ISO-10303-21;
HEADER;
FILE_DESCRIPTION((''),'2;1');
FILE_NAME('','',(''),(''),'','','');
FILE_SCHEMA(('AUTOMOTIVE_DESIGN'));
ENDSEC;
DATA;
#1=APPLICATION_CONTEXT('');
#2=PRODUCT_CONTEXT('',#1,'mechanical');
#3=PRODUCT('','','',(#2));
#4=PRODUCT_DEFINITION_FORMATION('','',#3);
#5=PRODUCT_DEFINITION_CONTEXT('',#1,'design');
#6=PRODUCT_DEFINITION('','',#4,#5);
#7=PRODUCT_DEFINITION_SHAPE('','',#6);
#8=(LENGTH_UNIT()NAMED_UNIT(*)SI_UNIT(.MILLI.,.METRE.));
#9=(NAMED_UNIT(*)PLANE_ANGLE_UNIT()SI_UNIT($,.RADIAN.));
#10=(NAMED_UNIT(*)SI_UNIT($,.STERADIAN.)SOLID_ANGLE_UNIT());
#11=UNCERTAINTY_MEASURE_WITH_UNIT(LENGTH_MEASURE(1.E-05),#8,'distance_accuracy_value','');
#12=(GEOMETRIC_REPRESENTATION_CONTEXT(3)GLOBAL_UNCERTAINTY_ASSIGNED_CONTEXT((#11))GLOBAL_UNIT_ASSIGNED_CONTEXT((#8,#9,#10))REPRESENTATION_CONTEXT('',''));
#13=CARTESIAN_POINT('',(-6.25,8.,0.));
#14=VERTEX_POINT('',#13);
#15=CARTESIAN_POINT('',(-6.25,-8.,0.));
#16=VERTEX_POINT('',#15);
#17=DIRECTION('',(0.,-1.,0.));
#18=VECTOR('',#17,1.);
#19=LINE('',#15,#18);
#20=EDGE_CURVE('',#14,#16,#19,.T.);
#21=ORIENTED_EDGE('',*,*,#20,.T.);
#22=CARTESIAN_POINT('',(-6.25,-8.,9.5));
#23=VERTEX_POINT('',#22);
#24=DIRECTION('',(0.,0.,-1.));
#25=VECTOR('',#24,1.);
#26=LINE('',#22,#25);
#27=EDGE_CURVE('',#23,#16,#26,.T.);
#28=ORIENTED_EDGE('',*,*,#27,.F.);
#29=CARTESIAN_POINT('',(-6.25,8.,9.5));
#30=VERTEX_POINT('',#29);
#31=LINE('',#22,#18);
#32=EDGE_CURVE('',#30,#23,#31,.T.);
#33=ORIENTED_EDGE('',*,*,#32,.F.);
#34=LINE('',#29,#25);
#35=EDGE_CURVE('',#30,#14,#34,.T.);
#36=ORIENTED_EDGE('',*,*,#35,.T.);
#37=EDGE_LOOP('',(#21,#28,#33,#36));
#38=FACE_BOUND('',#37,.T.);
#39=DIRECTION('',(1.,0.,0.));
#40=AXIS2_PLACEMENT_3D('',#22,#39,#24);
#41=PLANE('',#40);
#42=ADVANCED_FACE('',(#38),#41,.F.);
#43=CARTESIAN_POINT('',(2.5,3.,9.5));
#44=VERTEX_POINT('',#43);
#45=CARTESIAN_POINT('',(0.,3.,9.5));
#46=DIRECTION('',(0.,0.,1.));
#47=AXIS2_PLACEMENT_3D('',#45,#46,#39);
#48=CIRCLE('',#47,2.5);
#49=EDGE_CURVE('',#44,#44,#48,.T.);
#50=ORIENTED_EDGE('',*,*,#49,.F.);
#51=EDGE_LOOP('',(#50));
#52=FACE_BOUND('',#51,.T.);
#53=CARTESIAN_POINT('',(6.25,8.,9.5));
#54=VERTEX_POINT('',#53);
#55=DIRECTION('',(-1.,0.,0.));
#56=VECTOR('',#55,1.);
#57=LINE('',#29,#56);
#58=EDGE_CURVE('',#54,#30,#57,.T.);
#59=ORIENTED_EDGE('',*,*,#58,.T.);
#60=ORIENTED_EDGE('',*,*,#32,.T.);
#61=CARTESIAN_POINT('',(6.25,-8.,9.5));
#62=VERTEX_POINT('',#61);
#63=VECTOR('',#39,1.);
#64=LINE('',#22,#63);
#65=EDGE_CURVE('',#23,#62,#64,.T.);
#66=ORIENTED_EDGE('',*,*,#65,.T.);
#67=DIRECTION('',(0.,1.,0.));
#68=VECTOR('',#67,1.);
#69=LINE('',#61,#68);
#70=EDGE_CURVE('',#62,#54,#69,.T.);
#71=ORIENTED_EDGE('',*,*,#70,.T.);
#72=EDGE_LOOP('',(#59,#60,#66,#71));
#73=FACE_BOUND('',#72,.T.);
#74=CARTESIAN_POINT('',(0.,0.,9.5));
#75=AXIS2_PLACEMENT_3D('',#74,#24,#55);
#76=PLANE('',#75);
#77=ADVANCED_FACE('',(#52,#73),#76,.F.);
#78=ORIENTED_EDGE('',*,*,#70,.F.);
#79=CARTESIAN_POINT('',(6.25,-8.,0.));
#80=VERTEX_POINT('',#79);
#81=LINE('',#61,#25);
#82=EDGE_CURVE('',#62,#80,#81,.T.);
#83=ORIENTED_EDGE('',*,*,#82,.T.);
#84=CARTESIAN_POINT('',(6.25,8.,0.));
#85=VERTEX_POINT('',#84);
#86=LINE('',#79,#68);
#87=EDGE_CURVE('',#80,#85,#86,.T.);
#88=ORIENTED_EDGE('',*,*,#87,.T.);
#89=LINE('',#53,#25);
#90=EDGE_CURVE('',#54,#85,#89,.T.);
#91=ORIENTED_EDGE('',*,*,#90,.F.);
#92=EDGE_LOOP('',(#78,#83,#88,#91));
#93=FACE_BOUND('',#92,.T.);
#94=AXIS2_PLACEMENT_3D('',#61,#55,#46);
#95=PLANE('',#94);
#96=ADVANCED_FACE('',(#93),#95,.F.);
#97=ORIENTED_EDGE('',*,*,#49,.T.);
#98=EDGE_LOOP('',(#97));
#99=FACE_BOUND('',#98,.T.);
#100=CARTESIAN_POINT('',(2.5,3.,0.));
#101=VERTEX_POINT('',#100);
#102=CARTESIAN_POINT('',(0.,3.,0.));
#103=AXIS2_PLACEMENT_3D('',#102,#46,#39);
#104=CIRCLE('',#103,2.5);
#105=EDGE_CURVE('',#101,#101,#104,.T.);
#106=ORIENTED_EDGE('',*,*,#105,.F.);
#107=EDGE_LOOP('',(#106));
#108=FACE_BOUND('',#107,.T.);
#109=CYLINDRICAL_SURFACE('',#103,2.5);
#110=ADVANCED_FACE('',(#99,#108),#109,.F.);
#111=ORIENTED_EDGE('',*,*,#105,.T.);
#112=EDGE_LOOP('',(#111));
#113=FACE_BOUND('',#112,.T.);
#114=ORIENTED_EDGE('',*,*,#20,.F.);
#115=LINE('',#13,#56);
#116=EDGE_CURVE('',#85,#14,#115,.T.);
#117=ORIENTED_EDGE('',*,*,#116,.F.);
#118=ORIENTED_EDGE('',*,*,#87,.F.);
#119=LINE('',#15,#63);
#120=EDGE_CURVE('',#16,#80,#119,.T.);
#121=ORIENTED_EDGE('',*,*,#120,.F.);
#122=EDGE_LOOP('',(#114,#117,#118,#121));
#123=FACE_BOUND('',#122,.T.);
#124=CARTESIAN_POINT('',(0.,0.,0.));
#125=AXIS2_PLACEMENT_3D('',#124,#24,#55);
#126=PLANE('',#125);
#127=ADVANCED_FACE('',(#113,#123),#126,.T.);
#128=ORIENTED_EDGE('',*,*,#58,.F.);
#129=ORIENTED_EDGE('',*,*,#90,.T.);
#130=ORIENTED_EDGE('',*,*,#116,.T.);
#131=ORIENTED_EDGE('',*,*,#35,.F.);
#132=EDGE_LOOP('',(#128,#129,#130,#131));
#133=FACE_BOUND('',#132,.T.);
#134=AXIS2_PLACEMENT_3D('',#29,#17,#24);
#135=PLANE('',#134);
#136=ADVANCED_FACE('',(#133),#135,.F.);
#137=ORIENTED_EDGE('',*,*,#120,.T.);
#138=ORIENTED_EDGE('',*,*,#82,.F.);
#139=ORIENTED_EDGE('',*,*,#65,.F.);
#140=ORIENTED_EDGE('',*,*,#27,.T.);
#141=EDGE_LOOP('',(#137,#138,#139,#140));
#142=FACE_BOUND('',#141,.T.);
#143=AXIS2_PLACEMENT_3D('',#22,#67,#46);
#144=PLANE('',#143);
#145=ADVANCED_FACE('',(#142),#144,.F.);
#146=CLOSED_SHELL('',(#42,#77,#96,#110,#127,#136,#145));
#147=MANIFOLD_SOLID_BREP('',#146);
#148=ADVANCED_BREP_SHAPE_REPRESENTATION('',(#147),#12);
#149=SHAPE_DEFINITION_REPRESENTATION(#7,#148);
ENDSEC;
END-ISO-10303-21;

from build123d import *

# Parameters (mm, degrees)
SKETCH_1_W          = 12.5
SKETCH_1_H          = 16
EXTRUDE_1_DEPTH     = 9.5
SKETCH_2_R          = 2.5
CUT_EXTRUDE_1_DEPTH = 9.5


with BuildPart() as part:
    # 草圖1 → 填料-伸長1 (new body)
    with BuildSketch(Plane.XY):
        Rectangle(SKETCH_1_W, SKETCH_1_H)
    extrude(amount=EXTRUDE_1_DEPTH)

    # 草圖2 → 除料-伸長1 (cut)
    with BuildSketch(Plane.XY.offset(9.5)):
        with Locations((0, 3)):
            Circle(SKETCH_2_R)
    extrude(amount=-CUT_EXTRUDE_1_DEPTH, mode=Mode.SUBTRACT)


solid = part.part
